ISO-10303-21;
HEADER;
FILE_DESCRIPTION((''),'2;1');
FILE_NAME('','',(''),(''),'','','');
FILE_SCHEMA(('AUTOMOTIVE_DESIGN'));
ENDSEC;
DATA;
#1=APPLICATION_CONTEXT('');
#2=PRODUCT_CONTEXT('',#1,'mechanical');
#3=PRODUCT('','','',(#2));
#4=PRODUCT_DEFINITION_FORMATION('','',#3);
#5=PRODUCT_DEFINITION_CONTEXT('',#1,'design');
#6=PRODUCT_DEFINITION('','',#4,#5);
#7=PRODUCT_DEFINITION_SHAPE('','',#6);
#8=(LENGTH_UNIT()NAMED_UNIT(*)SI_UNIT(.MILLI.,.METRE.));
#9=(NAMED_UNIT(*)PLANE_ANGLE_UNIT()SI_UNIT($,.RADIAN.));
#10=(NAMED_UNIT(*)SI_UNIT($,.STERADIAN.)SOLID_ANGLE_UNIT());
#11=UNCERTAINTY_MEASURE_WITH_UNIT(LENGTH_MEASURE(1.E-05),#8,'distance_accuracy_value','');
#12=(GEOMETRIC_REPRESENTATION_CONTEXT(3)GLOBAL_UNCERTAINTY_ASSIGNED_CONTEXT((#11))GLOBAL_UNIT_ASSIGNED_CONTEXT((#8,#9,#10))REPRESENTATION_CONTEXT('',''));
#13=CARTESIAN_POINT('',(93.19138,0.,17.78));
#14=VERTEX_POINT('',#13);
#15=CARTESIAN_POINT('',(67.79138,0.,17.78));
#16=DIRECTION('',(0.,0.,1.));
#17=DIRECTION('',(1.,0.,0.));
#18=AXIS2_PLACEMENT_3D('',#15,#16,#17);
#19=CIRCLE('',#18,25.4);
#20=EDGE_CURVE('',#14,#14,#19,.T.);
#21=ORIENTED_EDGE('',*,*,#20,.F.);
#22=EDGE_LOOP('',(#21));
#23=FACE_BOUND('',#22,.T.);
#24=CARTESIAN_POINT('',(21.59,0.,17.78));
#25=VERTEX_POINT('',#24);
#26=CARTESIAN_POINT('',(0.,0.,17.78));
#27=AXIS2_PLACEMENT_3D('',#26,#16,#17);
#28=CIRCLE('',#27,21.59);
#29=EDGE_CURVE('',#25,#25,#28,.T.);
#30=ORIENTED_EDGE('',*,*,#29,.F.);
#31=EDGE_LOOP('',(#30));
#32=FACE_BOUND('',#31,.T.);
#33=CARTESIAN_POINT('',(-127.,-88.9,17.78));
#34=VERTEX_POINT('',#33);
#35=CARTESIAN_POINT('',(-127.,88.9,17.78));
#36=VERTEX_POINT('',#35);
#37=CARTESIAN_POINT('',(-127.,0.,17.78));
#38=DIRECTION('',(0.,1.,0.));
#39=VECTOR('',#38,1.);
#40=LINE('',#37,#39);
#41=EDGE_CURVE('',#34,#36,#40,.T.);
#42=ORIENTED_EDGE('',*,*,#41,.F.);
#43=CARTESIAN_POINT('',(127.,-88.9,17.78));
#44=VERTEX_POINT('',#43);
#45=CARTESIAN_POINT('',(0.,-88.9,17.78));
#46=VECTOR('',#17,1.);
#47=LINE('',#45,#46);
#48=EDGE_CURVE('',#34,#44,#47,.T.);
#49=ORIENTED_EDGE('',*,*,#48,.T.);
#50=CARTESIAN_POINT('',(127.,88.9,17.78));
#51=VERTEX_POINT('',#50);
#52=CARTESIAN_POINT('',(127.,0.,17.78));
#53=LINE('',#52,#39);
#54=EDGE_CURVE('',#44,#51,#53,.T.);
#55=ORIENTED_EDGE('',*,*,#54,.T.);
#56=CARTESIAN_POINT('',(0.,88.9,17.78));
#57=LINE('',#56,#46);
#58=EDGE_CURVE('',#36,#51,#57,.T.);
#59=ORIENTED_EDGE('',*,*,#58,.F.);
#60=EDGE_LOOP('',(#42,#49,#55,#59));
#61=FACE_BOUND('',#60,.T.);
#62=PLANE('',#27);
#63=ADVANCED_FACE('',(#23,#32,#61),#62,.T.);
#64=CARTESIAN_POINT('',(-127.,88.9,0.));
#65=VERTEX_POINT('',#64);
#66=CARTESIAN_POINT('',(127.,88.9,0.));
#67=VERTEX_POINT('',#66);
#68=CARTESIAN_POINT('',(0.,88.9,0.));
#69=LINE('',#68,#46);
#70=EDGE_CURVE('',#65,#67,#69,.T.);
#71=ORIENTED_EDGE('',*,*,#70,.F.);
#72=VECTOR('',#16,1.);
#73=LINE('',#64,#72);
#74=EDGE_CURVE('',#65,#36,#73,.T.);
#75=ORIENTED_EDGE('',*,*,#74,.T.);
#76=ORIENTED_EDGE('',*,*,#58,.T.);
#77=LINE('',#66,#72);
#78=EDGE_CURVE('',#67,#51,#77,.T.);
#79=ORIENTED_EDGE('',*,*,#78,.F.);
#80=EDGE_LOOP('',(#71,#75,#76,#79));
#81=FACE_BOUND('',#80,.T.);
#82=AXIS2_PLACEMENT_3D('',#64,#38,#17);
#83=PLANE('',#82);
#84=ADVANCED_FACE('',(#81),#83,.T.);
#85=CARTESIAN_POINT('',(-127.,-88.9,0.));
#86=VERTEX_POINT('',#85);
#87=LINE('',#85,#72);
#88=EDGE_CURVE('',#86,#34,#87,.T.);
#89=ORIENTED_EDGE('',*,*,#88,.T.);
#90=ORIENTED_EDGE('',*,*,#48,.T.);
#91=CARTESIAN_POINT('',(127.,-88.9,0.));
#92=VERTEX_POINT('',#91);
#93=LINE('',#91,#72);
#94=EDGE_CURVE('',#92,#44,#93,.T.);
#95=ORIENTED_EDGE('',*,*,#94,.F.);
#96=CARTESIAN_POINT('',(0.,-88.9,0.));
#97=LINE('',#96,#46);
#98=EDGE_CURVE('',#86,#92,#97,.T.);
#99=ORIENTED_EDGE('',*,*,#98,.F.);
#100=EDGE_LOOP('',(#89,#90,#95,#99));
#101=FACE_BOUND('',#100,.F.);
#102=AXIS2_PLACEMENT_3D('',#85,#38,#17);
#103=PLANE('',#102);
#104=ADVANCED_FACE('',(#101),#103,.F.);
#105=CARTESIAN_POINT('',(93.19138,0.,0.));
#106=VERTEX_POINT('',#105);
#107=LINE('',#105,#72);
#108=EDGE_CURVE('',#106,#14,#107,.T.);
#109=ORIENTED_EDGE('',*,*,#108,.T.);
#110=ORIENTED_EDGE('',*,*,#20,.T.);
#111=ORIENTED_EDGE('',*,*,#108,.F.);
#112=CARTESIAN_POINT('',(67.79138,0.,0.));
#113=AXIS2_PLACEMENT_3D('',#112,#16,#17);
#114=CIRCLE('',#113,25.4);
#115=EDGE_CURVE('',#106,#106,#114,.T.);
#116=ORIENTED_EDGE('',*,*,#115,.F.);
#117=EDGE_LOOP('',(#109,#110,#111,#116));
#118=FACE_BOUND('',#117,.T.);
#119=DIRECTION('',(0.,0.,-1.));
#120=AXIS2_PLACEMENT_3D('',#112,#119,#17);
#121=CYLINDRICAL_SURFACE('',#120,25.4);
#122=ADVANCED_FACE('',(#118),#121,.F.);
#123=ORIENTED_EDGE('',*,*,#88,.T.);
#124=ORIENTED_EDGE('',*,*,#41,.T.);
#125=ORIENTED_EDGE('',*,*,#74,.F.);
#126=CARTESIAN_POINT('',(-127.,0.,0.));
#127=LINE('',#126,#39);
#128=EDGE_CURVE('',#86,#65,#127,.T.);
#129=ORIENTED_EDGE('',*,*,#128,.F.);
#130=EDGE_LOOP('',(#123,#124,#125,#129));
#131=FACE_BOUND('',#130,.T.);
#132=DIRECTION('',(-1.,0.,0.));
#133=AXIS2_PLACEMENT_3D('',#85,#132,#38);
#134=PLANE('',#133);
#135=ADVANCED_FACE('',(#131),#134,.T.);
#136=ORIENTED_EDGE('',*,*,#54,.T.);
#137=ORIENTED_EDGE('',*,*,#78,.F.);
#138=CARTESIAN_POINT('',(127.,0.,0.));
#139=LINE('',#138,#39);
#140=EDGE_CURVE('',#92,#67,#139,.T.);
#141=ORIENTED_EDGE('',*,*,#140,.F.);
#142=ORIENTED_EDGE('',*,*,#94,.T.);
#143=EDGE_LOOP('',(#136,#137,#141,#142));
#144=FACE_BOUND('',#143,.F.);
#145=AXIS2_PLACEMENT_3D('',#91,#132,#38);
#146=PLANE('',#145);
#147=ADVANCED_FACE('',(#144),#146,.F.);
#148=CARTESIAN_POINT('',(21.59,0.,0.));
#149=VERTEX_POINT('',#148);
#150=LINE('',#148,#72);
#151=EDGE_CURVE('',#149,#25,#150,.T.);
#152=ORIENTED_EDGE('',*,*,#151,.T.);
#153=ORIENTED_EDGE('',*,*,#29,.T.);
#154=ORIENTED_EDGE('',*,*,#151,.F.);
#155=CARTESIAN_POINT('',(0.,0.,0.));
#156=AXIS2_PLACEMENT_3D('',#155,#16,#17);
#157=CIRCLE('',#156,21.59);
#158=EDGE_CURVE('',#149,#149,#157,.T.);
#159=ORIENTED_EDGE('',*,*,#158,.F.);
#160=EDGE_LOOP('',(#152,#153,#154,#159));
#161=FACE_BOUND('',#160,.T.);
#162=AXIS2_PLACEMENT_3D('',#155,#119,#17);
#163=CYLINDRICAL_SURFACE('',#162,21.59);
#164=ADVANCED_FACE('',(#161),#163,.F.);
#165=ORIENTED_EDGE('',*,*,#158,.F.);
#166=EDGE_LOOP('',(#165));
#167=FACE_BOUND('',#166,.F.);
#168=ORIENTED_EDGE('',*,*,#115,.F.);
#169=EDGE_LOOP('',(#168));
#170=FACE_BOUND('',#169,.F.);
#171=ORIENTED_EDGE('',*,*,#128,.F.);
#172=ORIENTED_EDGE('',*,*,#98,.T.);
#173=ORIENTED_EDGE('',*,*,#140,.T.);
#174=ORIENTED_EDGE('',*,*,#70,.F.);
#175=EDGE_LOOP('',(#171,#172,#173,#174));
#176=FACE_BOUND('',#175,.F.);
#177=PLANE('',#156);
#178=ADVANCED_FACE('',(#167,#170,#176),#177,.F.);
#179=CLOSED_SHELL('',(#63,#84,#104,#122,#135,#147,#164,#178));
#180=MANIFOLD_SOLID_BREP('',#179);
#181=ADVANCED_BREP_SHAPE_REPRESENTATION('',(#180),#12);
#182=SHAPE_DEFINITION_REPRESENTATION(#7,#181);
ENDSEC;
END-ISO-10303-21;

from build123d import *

# Parameters (mm, degrees)
F0_W     = 254
F0_H     = 177.8
F0_R     = 21.59
F0_R_2   = 25.4
F1_DEPTH = 17.78


with BuildPart() as f1:
    # F0 (on Top) → F1 (new body)
    with BuildSketch(Plane.XY):
        Rectangle(F0_W, F0_H)
        Circle(F0_R, mode=Mode.SUBTRACT)
        with Locations((67.79138, 0)):
            Circle(F0_R_2, mode=Mode.SUBTRACT)
    extrude(amount=F1_DEPTH)


solid = f1.part
